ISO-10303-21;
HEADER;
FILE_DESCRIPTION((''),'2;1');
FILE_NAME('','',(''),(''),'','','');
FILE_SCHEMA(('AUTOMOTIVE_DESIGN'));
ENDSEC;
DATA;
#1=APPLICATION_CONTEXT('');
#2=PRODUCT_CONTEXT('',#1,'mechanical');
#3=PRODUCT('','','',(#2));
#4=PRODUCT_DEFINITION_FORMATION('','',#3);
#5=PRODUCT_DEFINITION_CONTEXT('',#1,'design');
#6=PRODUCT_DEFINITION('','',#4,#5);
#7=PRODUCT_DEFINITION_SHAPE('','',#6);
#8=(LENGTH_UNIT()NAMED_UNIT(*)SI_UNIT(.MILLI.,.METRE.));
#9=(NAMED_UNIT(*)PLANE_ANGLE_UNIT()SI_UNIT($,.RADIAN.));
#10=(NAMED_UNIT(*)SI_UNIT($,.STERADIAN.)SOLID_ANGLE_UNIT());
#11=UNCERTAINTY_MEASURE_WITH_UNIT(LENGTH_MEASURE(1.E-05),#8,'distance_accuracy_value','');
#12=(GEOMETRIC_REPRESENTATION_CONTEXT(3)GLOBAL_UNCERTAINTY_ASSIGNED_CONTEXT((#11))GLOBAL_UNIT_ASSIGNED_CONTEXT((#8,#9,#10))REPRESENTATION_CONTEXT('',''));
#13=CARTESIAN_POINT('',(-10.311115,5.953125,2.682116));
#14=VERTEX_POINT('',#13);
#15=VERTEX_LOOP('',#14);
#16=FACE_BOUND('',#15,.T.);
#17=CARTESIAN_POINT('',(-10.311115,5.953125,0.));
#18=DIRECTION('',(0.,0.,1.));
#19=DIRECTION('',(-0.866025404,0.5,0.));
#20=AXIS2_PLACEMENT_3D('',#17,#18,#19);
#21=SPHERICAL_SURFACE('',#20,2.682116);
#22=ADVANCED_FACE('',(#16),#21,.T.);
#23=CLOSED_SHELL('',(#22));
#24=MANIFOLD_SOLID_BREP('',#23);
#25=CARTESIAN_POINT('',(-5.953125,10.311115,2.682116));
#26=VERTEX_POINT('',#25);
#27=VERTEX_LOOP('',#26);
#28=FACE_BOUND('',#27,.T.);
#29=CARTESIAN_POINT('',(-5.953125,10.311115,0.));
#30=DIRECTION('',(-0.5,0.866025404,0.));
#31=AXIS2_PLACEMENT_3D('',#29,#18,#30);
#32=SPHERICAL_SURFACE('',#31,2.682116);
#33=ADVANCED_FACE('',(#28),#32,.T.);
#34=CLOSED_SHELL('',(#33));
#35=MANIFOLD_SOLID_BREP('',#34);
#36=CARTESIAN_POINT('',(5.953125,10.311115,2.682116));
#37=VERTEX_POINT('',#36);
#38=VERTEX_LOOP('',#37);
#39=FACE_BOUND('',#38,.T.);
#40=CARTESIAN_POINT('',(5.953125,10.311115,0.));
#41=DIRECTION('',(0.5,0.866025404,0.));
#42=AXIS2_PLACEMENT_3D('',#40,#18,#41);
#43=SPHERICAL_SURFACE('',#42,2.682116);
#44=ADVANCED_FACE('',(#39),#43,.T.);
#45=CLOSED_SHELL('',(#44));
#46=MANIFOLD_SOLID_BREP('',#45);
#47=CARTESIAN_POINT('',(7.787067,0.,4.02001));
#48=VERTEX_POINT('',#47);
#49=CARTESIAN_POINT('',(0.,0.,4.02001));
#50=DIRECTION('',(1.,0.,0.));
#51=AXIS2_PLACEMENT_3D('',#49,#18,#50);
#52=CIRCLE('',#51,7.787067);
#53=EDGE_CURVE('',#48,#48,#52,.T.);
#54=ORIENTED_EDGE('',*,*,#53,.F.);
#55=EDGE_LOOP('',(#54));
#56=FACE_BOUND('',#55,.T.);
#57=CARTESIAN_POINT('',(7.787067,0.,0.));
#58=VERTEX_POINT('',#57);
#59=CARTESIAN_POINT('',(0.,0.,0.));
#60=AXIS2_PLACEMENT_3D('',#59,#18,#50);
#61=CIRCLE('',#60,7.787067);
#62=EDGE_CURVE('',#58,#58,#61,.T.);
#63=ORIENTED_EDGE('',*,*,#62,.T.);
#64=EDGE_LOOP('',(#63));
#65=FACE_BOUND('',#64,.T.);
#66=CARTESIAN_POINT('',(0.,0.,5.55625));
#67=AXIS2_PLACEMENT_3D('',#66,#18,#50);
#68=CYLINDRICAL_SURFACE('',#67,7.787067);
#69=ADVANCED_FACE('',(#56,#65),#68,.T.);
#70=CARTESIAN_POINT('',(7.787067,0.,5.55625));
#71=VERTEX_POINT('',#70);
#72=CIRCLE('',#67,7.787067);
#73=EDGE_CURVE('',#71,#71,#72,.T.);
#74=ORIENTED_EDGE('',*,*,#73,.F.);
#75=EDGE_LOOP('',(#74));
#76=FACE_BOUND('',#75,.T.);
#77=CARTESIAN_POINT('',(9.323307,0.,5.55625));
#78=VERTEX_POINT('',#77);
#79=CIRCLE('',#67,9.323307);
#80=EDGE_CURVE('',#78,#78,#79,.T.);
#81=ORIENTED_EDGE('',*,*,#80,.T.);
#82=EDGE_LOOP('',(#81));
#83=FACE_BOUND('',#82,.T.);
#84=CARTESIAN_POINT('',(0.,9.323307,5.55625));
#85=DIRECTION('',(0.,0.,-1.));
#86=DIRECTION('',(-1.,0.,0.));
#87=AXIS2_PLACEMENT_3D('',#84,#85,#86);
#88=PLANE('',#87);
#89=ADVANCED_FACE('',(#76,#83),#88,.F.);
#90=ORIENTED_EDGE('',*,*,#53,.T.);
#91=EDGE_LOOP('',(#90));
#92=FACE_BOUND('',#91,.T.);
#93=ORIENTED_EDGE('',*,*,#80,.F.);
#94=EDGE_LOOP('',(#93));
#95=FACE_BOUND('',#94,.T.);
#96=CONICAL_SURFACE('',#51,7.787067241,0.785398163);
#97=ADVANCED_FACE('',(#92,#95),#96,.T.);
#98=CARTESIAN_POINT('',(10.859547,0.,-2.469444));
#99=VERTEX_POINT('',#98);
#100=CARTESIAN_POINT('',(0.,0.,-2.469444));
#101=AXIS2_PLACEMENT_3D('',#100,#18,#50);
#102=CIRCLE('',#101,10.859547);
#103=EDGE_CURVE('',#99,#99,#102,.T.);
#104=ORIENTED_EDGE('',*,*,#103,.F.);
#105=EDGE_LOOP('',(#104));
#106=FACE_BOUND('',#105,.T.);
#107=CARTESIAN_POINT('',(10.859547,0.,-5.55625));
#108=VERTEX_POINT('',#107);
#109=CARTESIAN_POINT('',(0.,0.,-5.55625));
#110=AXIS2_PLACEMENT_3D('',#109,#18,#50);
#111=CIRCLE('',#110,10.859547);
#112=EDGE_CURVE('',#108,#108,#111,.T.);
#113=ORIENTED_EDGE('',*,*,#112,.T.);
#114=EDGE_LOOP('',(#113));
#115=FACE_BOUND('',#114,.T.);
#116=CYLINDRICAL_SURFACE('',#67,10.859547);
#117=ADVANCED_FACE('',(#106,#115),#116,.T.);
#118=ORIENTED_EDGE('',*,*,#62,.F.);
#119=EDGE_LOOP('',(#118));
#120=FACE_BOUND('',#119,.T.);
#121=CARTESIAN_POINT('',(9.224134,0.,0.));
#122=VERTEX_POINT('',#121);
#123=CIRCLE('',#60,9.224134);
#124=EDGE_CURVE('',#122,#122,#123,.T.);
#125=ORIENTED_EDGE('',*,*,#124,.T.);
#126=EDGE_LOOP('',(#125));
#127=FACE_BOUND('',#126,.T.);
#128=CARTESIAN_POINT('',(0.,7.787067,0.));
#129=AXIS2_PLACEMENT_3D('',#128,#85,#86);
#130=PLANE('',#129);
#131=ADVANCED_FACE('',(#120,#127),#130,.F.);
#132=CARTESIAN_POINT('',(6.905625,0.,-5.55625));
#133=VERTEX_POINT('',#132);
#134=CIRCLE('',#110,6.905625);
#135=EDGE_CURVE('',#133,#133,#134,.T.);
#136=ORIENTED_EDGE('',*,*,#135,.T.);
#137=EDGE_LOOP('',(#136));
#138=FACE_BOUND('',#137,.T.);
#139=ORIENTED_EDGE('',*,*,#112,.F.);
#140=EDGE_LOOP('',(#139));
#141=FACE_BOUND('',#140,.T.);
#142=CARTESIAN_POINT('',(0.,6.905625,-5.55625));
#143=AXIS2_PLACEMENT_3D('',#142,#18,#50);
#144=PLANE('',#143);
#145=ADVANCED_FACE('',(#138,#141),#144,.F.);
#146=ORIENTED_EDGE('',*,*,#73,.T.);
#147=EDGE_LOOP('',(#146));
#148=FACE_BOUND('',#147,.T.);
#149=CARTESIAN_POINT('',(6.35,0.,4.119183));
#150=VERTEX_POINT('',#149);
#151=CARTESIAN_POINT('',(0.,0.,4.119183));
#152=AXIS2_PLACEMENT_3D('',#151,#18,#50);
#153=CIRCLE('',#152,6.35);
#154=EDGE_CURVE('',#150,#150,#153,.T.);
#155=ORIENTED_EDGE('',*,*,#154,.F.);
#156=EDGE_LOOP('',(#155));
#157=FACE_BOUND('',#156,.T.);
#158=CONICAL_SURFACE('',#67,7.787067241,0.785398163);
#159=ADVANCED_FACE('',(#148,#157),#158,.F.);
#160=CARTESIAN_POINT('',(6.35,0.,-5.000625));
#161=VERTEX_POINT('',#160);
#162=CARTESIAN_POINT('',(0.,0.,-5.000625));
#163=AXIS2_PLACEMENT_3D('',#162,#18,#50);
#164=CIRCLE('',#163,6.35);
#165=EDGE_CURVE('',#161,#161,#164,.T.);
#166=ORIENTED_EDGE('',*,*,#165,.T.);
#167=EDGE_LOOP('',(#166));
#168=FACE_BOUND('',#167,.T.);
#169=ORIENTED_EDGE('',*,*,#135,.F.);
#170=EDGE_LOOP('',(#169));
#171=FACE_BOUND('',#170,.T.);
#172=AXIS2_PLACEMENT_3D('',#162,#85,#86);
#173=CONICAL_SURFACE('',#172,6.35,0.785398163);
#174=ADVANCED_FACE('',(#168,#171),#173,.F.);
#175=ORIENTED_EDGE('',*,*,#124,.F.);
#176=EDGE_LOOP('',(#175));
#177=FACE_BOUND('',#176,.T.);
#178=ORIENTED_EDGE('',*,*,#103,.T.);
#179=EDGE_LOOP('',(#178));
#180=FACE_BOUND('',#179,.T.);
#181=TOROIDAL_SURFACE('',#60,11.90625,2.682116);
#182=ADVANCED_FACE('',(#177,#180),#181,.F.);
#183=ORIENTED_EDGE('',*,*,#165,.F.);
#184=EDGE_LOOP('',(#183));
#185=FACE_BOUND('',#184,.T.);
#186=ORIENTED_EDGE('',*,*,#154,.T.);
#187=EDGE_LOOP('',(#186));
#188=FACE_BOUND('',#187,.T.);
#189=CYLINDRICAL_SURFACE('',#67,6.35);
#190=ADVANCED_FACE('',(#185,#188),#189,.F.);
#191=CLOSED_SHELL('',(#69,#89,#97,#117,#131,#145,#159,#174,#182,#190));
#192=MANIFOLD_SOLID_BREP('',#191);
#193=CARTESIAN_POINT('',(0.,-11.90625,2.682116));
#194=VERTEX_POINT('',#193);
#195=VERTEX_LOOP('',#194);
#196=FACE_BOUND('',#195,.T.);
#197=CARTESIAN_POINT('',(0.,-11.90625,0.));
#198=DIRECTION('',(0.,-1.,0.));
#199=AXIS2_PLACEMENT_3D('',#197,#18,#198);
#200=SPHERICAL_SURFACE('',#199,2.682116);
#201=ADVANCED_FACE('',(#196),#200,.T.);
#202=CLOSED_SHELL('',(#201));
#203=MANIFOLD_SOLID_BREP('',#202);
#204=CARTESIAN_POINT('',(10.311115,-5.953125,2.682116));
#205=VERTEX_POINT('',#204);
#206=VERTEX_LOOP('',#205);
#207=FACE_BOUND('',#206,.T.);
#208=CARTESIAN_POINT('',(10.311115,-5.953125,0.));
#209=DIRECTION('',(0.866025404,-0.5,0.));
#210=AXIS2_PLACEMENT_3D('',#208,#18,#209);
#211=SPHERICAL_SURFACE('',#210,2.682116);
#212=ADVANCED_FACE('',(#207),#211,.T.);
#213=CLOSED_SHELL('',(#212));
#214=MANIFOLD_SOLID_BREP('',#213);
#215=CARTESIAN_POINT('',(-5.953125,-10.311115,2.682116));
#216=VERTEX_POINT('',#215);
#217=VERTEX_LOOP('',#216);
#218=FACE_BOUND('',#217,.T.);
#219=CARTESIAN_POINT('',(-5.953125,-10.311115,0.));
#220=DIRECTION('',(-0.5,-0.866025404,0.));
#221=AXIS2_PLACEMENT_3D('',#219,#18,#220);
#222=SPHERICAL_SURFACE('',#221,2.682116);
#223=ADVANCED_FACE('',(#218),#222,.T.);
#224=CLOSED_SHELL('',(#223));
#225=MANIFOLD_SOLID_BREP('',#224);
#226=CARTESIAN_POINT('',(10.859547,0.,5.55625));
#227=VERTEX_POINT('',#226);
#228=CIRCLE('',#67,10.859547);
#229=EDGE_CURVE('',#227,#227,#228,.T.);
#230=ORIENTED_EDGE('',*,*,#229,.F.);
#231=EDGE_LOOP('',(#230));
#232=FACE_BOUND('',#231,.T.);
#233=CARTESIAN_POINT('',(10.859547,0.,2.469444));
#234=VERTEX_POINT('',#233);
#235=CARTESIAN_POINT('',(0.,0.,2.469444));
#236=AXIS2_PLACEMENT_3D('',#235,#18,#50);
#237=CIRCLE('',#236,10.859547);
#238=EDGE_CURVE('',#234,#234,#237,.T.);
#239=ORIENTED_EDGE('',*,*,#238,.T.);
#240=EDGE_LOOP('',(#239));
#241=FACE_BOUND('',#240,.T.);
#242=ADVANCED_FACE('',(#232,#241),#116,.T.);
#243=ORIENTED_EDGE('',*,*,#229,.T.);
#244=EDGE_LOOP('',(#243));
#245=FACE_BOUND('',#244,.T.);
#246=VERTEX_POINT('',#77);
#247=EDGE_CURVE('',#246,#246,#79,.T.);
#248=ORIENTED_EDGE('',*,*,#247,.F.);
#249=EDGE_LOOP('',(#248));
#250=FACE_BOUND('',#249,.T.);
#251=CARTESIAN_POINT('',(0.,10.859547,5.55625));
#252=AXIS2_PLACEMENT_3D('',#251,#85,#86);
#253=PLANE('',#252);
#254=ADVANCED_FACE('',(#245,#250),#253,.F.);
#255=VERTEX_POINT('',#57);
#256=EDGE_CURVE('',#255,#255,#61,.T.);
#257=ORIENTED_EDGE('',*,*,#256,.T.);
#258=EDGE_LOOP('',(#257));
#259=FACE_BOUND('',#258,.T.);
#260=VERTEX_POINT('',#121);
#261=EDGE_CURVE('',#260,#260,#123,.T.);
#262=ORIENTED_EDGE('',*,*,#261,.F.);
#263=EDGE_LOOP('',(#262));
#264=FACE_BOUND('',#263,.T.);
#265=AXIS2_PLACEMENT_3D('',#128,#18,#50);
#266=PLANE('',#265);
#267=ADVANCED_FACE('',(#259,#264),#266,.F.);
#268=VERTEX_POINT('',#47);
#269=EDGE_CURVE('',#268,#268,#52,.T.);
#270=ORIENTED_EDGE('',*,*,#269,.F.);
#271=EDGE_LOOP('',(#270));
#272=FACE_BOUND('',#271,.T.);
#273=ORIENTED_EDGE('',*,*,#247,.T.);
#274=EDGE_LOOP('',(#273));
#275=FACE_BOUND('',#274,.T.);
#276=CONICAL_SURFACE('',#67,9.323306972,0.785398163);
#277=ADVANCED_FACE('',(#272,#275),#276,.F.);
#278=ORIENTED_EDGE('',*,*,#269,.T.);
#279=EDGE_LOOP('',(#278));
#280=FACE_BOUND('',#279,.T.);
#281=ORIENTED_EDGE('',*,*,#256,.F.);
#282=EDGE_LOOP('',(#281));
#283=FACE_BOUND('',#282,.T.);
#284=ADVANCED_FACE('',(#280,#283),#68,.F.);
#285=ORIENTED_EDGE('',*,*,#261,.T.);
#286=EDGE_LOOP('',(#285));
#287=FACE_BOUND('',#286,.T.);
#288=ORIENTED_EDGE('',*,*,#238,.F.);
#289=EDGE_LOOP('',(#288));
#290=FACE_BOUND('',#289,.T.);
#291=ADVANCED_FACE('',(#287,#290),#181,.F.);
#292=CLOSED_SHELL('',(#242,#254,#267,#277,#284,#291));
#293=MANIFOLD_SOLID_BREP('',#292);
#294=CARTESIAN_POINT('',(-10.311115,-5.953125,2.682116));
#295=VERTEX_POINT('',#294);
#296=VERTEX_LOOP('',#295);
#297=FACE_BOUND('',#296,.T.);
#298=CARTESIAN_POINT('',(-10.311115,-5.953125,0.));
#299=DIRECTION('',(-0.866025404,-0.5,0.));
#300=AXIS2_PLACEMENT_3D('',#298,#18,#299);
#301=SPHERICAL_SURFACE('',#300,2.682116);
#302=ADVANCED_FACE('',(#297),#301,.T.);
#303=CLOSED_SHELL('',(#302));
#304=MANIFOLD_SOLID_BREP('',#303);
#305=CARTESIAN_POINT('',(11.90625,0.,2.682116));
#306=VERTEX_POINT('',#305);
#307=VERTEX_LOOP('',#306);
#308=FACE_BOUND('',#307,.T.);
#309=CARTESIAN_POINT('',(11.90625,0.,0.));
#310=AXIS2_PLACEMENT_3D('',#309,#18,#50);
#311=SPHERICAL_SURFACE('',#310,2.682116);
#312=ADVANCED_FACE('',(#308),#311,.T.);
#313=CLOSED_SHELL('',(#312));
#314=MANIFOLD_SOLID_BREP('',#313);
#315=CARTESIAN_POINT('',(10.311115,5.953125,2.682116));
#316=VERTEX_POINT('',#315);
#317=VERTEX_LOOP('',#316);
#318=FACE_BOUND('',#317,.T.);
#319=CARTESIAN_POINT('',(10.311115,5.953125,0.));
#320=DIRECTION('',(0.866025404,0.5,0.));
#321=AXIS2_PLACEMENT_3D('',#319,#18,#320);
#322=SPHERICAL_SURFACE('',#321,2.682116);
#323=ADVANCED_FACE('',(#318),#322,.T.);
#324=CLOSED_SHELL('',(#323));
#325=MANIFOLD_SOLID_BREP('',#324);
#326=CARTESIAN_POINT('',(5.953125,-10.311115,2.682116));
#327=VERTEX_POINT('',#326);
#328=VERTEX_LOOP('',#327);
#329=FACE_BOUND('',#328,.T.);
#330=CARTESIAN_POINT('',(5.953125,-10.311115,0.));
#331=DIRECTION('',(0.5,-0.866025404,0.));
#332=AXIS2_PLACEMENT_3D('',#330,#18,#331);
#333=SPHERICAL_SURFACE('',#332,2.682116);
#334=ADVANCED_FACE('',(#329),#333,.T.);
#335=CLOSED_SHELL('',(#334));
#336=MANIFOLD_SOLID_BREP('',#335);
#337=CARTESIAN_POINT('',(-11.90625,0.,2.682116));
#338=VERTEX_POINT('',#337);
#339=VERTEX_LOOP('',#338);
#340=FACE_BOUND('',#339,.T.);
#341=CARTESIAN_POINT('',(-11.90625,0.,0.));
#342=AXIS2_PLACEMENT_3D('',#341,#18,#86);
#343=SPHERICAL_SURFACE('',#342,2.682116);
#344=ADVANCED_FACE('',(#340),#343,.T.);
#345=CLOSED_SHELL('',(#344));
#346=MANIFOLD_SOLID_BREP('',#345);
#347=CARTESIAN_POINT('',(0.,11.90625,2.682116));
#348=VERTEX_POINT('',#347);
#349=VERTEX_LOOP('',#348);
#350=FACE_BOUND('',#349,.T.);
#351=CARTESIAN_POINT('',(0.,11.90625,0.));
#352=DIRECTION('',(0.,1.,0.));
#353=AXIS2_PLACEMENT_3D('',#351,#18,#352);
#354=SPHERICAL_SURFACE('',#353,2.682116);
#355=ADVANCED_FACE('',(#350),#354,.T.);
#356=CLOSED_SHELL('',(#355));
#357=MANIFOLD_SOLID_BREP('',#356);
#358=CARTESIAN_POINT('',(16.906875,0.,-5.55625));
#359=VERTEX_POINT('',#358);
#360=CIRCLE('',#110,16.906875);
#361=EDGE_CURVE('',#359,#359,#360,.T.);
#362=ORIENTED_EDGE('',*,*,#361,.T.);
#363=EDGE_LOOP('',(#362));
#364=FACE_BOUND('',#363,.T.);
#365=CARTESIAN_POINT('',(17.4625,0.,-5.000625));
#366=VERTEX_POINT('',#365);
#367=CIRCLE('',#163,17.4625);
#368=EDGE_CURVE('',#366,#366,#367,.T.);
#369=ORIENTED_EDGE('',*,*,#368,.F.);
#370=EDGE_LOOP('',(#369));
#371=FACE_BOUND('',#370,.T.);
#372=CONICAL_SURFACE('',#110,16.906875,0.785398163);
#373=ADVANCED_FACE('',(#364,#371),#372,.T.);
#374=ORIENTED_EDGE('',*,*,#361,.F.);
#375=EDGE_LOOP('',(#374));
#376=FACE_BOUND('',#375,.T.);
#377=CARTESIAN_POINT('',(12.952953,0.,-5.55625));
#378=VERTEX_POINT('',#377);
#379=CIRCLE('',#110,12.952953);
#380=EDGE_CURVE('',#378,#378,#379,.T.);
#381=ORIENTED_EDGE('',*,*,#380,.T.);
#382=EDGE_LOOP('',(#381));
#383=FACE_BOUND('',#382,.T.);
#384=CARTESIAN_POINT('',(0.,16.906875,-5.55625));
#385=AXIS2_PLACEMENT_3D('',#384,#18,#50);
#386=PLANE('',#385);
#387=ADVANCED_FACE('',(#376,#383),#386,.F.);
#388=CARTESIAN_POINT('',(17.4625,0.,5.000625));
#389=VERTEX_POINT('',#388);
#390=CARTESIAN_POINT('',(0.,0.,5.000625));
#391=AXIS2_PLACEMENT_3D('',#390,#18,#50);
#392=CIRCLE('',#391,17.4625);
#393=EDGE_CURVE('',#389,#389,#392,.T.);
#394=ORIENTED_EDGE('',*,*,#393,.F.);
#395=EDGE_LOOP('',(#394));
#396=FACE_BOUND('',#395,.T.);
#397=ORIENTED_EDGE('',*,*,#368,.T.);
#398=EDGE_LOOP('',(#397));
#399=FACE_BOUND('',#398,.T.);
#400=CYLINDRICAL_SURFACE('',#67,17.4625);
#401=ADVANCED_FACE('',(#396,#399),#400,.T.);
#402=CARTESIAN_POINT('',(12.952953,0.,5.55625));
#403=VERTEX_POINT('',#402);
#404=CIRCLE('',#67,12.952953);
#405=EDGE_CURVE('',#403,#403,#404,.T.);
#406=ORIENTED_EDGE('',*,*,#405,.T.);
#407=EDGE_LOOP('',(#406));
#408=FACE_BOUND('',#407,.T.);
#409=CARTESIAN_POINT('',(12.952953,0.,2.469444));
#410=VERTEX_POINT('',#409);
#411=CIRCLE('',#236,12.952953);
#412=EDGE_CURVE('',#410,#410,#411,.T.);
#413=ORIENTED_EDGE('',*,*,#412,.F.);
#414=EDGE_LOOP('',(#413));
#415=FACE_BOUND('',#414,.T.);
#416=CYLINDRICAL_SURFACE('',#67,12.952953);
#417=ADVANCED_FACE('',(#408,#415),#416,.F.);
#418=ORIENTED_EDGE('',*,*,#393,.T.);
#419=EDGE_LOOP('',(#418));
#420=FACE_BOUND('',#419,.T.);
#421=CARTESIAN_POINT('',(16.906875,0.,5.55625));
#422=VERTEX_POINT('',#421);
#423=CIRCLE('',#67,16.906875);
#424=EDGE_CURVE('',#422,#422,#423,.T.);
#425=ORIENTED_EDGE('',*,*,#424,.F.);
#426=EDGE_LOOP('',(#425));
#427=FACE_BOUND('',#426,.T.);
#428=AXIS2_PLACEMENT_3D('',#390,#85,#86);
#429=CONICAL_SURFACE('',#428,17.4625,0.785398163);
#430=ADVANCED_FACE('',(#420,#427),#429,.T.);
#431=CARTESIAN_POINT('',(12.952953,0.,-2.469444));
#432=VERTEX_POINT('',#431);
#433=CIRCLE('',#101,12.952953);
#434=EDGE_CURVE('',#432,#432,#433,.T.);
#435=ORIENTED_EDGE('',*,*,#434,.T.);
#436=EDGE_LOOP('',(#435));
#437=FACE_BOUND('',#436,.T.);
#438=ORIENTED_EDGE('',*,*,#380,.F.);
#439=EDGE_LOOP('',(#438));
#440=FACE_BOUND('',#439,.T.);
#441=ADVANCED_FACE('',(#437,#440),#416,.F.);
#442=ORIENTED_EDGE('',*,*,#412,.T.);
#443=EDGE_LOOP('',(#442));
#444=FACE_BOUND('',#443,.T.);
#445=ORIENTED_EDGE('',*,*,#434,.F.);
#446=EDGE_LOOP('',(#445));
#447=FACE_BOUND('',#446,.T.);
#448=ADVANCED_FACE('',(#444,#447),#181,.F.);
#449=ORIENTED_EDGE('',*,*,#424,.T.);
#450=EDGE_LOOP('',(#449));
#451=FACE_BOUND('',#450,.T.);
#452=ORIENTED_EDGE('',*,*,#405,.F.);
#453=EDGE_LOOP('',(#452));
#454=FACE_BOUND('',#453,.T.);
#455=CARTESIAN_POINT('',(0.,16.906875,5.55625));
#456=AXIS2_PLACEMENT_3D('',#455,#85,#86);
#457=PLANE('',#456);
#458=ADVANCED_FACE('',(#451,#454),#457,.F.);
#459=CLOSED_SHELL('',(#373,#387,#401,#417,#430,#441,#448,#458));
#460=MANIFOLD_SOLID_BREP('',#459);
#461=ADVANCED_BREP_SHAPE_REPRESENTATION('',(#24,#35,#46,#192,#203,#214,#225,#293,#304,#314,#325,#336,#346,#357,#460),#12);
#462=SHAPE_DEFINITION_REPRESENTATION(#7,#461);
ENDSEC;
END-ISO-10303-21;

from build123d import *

# Parameters (mm, degrees)
CIRPATTERN1_COUNT = 12


with BuildPart() as part:
    # Sketch1 → Revolve1 (revolve)
    with BuildSketch(Plane(origin=(0, 0, 0), x_dir=(0, 0, -1), z_dir=(1, 0, 0)), mode=Mode.PRIVATE) as revolve1_sk:
        with BuildLine():
            Line((5.000625, 17.4625), (-5.000625, 17.4625))
            Line((-5.000625, 17.4625), (-5.55625, 16.906875))
            Line((-5.55625, 16.906875), (-5.55625, 12.952953297))
            Line((-5.55625, 12.952953297), (-2.469444444, 12.952953297))
            ThreePointArc((-2.469444444, 12.952953297), (0, 14.588365519), (2.469444444, 12.952953297))
            Line((2.469444444, 12.952953297), (5.55625, 12.952953297))
            Line((5.55625, 12.952953297), (5.55625, 16.906875))
            Line((5.55625, 16.906875), (5.000625, 17.4625))
        make_face()
    revolve(revolve1_sk.sketch.rotate(Axis((0, 0, 5.55625), (0, 0, -1)), 90), axis=Axis((0, 0, 5.55625), (0, 0, -1)))  # turned: the seam where the file's is


with BuildPart() as body_2:
    # Sketch2 → Revolve2 (revolve)
    with BuildSketch(Plane(origin=(0, 0, 0), x_dir=(0, 0, -1), z_dir=(1, 0, 0)), mode=Mode.PRIVATE) as revolve2_sk:
        with BuildLine():
            Line((-5.55625, 10.859546703), (-2.469444444, 10.859546703))
            ThreePointArc((-2.469444444, 10.859546703), (-1.480939651, 9.670056492), (0, 9.224134481))
            Line((0, 9.224134481), (0, 7.787067241))
            Line((0, 7.787067241), (-4.020010269, 7.787067241))
            Line((-4.020010269, 7.787067241), (-5.55625, 9.323306972))
            Line((-5.55625, 9.323306972), (-5.55625, 10.859546703))
        make_face()
    revolve(revolve2_sk.sketch.rotate(Axis((0, 0, 5.55625), (0, 0, -1)), 90), axis=Axis((0, 0, 5.55625), (0, 0, -1)))  # turned: the seam where the file's is


with BuildPart() as body_3:
    # Sketch3 → Revolve3 (revolve)
    with BuildSketch(Plane(origin=(0, 0, 0), x_dir=(0, 0, -1), z_dir=(1, 0, 0)), mode=Mode.PRIVATE) as revolve3_sk:
        with BuildLine():
            Line((-5.55625, 9.323306972), (-4.020010269, 7.787067241))
            Line((-4.020010269, 7.787067241), (0, 7.787067241))
            Line((0, 7.787067241), (0, 9.224134481))
            ThreePointArc((0, 9.224134481), (1.480939651, 9.670056492), (2.469444444, 10.859546703))
            Line((2.469444444, 10.859546703), (5.55625, 10.859546703))
            Line((5.55625, 10.859546703), (5.55625, 6.905625))
            Line((5.55625, 6.905625), (5.000625, 6.35))
            Line((5.000625, 6.35), (-4.119182759, 6.35))
            Line((-4.119182759, 6.35), (-5.55625, 7.787067241))
            Line((-5.55625, 7.787067241), (-5.55625, 9.323306972))
        make_face()
    revolve(revolve3_sk.sketch.rotate(Axis((0, 0, 5.55625), (0, 0, -1)), 90), axis=Axis((0, 0, 5.55625), (0, 0, -1)))  # turned: the seam where the file's is


with BuildPart() as body_4:
    # Sketch4 → Revolve4 (revolve)
    with BuildSketch(Plane(origin=(0, 0, 0), x_dir=(0, 0, -1), z_dir=(1, 0, 0))):
        with BuildLine():
            Line((-2.682115519, 11.90625), (2.682115519, 11.90625))
            ThreePointArc((2.682115519, 11.90625), (0, 14.588365519), (-2.682115519, 11.90625))
        make_face()
    revolve(axis=Axis((0, 11.90625, 2.682115519), (0, 0, -1)))


with BuildPart() as cirpattern1_1:
    # CirPattern1: pattern copy
    add(body_4.part.rotate(Axis((0, 0, 0), (0, 0, 1)), 1 * 360 / CIRPATTERN1_COUNT))


with BuildPart() as cirpattern1_2:
    # CirPattern1: pattern copy
    add(body_4.part.rotate(Axis((0, 0, 0), (0, 0, 1)), 2 * 360 / CIRPATTERN1_COUNT))


with BuildPart() as cirpattern1_3:
    # CirPattern1: pattern copy
    add(body_4.part.rotate(Axis((0, 0, 0), (0, 0, 1)), 3 * 360 / CIRPATTERN1_COUNT))


with BuildPart() as cirpattern1_4:
    # CirPattern1: pattern copy
    add(body_4.part.rotate(Axis((0, 0, 0), (0, 0, 1)), 4 * 360 / CIRPATTERN1_COUNT))


with BuildPart() as cirpattern1_5:
    # CirPattern1: pattern copy
    add(body_4.part.rotate(Axis((0, 0, 0), (0, 0, 1)), 5 * 360 / CIRPATTERN1_COUNT))


with BuildPart() as cirpattern1_6:
    # CirPattern1: pattern copy
    add(body_4.part.rotate(Axis((0, 0, 0), (0, 0, 1)), 6 * 360 / CIRPATTERN1_COUNT))


with BuildPart() as cirpattern1_7:
    # CirPattern1: pattern copy
    add(body_4.part.rotate(Axis((0, 0, 0), (0, 0, 1)), 7 * 360 / CIRPATTERN1_COUNT))


with BuildPart() as cirpattern1_8:
    # CirPattern1: pattern copy
    add(body_4.part.rotate(Axis((0, 0, 0), (0, 0, 1)), 8 * 360 / CIRPATTERN1_COUNT))


with BuildPart() as cirpattern1_9:
    # CirPattern1: pattern copy
    add(body_4.part.rotate(Axis((0, 0, 0), (0, 0, 1)), 9 * 360 / CIRPATTERN1_COUNT))


with BuildPart() as cirpattern1_10:
    # CirPattern1: pattern copy
    add(body_4.part.rotate(Axis((0, 0, 0), (0, 0, 1)), 10 * 360 / CIRPATTERN1_COUNT))


with BuildPart() as cirpattern1_11:
    # CirPattern1: pattern copy
    add(body_4.part.rotate(Axis((0, 0, 0), (0, 0, 1)), 11 * 360 / CIRPATTERN1_COUNT))


solid = Compound([part.part, body_2.part, body_3.part, body_4.part, cirpattern1_1.part, cirpattern1_2.part, cirpattern1_3.part, cirpattern1_4.part, cirpattern1_5.part, cirpattern1_6.part, cirpattern1_7.part, cirpattern1_8.part, cirpattern1_9.part, cirpattern1_10.part, cirpattern1_11.part])
